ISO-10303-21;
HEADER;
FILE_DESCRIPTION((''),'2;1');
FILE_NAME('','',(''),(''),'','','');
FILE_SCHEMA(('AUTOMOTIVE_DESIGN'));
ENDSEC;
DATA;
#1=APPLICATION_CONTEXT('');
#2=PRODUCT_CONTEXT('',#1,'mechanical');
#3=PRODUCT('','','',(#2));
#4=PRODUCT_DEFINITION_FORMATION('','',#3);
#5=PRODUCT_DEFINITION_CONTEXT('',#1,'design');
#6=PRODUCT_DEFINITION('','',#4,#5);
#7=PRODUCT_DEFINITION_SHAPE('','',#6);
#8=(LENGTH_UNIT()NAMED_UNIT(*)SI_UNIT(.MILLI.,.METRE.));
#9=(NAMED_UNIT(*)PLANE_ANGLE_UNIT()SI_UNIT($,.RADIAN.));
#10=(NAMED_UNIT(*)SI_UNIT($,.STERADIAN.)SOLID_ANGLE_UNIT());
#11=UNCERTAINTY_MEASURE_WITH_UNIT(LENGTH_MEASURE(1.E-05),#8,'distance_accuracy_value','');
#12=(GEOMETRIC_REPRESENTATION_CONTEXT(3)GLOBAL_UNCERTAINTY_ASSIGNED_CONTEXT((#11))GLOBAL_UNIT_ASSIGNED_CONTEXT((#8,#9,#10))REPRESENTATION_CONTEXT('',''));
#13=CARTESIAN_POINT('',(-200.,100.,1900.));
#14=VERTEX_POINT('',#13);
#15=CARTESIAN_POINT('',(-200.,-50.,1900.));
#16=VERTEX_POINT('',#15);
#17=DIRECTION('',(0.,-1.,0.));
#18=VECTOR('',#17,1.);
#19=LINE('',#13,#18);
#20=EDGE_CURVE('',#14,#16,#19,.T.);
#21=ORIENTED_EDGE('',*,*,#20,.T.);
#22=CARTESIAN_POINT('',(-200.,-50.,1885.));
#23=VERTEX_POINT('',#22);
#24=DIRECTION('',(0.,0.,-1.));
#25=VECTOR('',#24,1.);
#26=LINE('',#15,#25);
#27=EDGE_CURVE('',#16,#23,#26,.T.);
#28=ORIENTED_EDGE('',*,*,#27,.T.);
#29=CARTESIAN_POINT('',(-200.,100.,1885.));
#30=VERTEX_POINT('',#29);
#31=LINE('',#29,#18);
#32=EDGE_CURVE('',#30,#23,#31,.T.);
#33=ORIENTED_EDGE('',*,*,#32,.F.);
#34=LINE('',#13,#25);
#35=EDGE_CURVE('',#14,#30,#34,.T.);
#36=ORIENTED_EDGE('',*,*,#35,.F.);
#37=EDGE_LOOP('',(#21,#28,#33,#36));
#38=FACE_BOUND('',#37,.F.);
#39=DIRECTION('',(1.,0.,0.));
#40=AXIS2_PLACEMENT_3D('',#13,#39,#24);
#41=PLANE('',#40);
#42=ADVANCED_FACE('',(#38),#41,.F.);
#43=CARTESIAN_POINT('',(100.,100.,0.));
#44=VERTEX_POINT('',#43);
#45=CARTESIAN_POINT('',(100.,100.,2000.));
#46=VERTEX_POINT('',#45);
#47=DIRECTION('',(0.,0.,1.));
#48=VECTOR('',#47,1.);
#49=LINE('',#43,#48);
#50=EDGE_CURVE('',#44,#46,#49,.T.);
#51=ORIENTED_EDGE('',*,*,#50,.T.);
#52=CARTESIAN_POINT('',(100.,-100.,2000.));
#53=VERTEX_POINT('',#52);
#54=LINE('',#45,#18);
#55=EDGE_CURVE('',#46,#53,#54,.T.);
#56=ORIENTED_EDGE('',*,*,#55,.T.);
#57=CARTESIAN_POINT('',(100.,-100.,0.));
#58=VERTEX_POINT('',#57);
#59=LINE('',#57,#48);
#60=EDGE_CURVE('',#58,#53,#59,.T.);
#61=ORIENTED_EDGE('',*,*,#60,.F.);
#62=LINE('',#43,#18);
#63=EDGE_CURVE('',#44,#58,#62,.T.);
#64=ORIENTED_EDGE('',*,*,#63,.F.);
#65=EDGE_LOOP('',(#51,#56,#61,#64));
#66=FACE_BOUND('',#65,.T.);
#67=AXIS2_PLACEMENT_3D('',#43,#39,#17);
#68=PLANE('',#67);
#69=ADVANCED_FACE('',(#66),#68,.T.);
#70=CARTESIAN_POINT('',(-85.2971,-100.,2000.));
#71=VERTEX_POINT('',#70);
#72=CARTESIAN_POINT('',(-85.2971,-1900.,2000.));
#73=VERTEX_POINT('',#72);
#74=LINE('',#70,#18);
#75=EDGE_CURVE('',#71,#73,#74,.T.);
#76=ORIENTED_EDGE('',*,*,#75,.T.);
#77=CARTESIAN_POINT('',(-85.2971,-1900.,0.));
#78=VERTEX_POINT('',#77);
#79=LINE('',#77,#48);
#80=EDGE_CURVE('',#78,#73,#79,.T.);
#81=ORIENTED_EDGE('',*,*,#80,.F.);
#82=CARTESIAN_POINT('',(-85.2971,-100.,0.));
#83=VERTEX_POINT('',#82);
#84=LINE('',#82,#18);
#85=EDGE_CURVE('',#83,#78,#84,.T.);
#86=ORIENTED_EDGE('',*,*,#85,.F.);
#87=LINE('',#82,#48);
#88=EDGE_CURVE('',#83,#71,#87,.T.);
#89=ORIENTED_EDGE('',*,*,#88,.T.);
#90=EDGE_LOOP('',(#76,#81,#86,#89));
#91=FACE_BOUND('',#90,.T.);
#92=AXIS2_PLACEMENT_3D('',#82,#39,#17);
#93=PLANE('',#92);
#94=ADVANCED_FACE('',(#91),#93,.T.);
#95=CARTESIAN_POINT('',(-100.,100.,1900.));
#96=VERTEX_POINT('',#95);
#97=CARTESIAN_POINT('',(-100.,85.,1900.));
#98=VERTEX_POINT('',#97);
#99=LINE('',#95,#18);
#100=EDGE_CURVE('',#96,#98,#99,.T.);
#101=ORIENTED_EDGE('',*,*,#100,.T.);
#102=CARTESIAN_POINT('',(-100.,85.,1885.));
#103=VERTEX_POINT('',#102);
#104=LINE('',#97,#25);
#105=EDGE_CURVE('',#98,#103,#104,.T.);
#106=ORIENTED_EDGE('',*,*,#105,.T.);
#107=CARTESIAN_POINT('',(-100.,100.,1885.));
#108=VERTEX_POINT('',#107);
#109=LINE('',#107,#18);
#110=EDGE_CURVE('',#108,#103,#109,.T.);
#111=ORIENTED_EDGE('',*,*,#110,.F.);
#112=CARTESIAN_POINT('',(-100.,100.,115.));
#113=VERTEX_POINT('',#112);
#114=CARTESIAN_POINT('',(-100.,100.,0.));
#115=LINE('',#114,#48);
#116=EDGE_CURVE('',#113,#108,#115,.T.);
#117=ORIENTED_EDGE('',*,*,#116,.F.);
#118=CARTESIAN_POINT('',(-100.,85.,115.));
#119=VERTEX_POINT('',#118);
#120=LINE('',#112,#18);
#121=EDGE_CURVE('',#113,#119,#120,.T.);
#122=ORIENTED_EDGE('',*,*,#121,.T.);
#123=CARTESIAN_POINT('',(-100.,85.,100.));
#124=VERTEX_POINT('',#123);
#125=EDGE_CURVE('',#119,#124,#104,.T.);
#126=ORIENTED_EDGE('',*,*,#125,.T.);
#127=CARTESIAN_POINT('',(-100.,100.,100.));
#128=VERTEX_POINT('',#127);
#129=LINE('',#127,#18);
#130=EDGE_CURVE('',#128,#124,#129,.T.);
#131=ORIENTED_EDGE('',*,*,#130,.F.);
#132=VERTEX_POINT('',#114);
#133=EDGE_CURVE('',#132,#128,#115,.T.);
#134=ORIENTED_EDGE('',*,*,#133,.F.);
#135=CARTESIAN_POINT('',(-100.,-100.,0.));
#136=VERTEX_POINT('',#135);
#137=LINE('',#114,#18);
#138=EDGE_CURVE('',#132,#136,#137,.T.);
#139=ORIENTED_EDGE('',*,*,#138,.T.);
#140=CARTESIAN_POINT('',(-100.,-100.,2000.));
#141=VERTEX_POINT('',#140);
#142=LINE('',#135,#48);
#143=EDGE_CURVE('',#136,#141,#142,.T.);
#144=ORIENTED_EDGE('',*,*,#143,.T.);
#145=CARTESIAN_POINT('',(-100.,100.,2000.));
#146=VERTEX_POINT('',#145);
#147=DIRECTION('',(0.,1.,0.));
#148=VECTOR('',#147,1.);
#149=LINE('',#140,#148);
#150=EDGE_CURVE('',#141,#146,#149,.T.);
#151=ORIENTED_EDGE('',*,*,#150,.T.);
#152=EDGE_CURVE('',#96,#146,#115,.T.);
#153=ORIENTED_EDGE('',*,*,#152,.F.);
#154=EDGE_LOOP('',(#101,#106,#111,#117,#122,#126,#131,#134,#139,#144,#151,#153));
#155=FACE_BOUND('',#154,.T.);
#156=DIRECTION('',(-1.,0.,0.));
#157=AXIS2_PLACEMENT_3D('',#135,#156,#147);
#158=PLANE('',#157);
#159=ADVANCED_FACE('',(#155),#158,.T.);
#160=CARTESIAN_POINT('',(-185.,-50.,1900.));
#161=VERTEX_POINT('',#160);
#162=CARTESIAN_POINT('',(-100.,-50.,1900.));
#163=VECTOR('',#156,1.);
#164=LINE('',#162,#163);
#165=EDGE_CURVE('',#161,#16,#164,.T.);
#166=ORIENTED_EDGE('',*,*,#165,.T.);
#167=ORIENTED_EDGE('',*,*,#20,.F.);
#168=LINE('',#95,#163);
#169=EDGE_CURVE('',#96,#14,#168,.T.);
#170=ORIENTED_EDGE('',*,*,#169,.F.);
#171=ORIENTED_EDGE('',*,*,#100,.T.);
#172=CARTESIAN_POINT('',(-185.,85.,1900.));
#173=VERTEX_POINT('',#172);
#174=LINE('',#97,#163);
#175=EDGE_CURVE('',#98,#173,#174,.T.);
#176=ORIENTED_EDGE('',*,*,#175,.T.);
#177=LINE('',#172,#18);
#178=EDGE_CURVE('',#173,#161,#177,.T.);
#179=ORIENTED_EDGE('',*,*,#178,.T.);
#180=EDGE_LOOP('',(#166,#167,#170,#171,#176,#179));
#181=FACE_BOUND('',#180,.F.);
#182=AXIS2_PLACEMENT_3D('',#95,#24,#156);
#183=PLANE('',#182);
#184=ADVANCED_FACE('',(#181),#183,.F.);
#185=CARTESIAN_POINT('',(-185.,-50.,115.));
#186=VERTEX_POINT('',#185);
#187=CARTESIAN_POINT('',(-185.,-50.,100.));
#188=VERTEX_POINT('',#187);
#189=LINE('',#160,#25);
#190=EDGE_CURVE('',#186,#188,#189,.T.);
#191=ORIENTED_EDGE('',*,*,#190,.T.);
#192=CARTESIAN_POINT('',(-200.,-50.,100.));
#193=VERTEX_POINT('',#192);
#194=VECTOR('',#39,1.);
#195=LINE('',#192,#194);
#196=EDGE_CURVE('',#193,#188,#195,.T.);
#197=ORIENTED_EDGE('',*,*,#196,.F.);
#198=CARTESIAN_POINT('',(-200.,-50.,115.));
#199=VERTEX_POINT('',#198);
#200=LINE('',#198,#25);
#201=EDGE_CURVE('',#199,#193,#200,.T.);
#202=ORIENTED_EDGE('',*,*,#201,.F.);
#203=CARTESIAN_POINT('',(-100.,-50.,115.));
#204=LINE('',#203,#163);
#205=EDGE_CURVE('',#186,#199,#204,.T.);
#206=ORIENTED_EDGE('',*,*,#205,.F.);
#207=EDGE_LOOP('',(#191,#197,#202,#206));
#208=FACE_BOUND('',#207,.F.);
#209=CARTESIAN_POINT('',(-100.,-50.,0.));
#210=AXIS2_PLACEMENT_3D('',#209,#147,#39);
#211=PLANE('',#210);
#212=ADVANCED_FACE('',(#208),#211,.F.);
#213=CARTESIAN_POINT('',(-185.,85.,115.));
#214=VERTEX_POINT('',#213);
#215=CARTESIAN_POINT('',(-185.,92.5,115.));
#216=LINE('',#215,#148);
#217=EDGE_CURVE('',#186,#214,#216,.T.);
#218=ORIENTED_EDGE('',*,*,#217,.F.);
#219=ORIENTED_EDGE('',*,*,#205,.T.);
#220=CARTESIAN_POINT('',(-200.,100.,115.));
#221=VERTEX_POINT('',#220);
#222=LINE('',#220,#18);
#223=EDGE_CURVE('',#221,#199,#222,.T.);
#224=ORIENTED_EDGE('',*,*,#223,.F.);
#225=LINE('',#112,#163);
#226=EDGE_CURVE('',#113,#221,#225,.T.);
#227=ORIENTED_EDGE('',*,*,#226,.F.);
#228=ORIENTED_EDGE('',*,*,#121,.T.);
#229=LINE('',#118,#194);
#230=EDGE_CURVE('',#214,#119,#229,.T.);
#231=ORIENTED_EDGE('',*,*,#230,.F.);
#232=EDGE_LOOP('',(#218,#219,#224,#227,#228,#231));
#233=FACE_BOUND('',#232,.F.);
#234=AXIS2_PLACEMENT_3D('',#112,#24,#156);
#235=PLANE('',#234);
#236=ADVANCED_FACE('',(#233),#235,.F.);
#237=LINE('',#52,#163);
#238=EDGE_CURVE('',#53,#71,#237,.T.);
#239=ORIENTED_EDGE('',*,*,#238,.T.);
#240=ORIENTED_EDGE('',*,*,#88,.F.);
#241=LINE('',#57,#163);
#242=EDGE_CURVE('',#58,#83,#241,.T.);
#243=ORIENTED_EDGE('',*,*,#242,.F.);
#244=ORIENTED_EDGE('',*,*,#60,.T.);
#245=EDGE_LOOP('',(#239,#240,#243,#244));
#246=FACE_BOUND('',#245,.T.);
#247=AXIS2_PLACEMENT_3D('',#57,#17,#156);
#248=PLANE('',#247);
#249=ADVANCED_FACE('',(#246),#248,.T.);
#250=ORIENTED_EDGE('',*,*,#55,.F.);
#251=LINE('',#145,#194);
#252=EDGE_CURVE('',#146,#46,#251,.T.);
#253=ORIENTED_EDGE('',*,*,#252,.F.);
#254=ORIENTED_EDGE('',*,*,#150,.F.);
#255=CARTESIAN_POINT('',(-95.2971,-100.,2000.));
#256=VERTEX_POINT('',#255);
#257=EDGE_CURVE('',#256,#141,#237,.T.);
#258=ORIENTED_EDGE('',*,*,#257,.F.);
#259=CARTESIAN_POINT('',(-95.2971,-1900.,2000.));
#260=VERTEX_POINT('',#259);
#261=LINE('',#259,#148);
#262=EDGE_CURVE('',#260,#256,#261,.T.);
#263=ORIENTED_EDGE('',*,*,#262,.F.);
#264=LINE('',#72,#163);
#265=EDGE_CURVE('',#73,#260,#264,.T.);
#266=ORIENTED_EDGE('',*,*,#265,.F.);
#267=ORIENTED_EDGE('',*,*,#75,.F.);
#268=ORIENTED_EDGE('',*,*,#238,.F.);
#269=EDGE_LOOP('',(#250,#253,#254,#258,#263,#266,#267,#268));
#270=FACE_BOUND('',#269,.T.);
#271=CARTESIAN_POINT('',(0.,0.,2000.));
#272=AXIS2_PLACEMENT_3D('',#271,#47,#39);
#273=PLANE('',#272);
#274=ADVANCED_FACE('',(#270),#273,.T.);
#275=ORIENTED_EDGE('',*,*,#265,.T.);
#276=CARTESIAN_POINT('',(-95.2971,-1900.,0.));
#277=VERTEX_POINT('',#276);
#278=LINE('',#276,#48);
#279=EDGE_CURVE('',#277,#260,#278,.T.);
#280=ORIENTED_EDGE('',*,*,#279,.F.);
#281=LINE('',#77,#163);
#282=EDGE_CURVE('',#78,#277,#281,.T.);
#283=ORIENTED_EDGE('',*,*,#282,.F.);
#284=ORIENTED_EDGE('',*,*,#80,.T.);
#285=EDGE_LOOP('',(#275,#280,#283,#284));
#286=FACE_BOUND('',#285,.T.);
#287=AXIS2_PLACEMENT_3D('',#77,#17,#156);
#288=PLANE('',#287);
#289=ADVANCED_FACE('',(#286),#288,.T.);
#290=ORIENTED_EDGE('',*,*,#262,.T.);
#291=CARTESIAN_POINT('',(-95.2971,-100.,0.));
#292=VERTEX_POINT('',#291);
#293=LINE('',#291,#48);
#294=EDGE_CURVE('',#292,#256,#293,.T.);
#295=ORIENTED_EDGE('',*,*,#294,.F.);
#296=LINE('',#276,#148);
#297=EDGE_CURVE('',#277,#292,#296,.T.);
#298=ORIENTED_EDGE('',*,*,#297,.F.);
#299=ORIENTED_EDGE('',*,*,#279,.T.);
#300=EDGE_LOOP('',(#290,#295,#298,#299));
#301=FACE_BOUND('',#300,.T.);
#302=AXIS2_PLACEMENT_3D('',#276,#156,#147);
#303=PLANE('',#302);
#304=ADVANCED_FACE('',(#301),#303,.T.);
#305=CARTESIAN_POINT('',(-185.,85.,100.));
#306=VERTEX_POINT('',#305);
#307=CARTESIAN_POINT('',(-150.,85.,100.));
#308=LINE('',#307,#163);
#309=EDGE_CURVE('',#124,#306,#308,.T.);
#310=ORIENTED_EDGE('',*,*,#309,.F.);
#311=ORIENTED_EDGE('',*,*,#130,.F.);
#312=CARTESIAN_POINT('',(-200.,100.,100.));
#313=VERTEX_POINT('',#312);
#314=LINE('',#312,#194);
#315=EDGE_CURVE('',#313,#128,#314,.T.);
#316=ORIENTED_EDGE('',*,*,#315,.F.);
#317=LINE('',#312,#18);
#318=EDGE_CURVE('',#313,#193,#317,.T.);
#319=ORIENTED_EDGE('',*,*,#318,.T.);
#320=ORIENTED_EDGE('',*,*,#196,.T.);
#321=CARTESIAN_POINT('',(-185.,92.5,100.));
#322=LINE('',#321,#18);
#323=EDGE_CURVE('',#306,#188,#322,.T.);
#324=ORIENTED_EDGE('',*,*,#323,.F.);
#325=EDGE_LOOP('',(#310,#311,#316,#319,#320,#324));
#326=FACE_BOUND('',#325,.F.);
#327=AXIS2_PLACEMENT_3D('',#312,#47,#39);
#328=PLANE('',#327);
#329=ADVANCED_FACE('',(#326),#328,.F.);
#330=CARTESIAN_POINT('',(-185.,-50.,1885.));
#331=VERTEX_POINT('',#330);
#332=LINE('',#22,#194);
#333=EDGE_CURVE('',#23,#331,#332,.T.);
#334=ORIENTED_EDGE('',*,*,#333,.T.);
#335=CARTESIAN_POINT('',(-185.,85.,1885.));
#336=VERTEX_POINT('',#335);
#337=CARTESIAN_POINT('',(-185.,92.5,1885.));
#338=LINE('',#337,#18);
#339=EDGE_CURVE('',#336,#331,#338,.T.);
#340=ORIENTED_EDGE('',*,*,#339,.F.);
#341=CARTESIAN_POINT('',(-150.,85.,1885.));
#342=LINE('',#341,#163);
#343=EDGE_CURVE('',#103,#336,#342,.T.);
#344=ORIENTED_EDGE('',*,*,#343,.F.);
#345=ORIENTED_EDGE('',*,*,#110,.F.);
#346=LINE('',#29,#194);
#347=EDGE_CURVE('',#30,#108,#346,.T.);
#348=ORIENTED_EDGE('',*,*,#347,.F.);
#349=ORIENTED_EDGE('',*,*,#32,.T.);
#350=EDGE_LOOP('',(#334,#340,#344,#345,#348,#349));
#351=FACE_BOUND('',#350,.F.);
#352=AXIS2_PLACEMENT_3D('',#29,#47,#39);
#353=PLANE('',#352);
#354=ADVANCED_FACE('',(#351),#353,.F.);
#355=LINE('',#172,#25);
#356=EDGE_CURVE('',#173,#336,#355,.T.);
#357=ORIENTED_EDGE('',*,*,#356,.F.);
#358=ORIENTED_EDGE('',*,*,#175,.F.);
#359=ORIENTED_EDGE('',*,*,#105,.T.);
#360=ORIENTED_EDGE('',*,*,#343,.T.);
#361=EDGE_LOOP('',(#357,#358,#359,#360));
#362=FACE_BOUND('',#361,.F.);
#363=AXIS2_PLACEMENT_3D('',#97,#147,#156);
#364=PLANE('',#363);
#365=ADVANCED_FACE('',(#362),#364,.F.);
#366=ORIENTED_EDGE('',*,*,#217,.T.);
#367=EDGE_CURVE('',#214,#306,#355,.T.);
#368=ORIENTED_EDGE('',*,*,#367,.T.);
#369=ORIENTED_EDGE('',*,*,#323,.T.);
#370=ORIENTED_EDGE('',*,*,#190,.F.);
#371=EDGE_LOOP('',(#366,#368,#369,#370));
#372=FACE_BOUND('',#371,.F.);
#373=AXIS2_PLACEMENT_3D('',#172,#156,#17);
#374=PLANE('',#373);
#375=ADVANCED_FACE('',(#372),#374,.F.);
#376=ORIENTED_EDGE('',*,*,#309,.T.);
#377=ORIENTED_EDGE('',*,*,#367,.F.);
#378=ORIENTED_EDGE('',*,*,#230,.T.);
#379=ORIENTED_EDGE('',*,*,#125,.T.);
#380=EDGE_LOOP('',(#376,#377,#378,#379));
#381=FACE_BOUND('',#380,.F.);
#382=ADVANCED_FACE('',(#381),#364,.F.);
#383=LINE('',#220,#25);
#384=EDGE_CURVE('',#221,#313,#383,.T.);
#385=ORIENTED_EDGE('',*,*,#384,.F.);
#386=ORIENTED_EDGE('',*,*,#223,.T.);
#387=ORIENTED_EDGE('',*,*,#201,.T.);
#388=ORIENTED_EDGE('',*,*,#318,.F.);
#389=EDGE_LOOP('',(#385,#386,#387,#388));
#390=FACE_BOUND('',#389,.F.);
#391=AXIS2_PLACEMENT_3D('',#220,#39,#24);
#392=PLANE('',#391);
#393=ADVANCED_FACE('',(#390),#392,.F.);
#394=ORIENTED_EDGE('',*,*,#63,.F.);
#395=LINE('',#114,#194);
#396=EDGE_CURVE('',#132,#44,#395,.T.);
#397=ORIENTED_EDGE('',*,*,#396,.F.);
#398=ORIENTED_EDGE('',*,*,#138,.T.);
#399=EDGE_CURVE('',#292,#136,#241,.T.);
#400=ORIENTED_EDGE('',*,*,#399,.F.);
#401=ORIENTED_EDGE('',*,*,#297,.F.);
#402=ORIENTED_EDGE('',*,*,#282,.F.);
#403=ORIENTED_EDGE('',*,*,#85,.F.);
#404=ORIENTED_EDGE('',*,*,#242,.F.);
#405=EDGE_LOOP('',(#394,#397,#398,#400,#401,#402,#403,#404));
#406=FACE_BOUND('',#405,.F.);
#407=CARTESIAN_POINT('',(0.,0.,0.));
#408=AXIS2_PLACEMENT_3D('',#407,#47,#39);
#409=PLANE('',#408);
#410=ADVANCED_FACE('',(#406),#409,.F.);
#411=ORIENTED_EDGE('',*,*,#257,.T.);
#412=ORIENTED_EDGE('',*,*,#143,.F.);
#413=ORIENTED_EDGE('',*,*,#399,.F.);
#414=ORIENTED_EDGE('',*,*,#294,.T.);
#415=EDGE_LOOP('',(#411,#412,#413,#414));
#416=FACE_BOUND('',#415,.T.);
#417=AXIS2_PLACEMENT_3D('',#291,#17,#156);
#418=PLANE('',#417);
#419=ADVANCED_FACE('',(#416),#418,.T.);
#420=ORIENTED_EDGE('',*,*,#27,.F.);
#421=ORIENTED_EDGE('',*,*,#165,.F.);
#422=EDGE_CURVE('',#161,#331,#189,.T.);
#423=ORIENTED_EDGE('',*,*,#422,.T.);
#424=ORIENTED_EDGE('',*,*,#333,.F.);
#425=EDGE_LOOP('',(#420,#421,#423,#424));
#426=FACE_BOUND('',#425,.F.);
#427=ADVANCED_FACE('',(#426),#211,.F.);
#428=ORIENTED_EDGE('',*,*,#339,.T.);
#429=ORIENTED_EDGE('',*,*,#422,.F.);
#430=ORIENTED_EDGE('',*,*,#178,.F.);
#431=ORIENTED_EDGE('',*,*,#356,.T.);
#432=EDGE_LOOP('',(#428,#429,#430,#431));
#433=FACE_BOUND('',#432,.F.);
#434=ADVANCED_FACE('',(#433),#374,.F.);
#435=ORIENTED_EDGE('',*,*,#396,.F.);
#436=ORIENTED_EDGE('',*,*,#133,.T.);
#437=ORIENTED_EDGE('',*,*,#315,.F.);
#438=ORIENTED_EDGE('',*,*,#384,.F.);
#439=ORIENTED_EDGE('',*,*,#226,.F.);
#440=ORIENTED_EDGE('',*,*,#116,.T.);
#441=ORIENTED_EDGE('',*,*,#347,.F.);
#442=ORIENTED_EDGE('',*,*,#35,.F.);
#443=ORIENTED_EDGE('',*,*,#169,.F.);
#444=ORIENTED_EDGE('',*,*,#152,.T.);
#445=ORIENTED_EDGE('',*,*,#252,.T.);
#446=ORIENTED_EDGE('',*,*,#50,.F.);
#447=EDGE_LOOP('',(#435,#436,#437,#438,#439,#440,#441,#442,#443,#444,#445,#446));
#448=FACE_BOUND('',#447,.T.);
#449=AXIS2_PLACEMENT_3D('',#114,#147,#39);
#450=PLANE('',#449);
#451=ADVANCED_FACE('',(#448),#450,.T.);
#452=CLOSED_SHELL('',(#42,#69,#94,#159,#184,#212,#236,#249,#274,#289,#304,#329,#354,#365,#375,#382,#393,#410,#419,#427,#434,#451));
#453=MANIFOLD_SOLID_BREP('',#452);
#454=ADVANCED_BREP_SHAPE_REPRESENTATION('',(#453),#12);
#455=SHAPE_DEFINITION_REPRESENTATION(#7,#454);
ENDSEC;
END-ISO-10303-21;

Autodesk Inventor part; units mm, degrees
ref_plane "YZ Plane" through (0, 0, 0) normal (1, 0, 0) x (0, 1, 0)
ref_plane "XZ Plane" through (0, 0, 0) normal (0, 1, 0) x (-1, 0, 0)
ref_plane "XY Plane" through (0, 0, 0) normal (0, 0, 1) x (1, 0, 0)
sketch "Esquisse1" plane through (0, 0, 0) normal (0, 0, 1) x (1, 0, 0)
  line L0 (-100, 100) -> (100, 100)
  line L1 (100, 100) -> (100, -100)
  line L2 (100, -100) -> (-100, -100)
  line L3 (-100, -100) -> (-100, 100)
  line L4 (-95.2971, -100) -> (-85.2971, -100)
  line L5 (-85.2971, -100) -> (-85.2971, -1900)
  line L6 (-85.2971, -1900) -> (-95.2971, -1900)
  line L7 (-95.2971, -1900) -> (-95.2971, -100)
  point P0 (0, 0)
  dimension "d0" = 200
  dimension "d1" = 200
  dimension "d2" = 100
  dimension "d3" = 100
  dimension "d4" = 1800
  dimension "d5" = 10
extrude "Extrusion1" add sketch "Esquisse1" along normal blind 2000
sketch "Esquisse2" plane through (-100, 100, 0) normal (0, 1, 0) x (1, 0, 0)
  line L0 (14.7029, 0) -> (14.7029, -2000) projected
  line L1 (14.7029, -1926.0048) -> (14.7029, -1942.8259)
  line L2 (4.7029, 0) -> (4.7029, -2000) projected
  line L3 (4.7029, -126.1575) -> (4.7029, -105.1313)
  line L4 (0, 0) -> (0, -2000) projected
  line L5 (0, -1900) -> (-100, -1900)
  line L6 (-100, -1900) -> (-100, -1885)
  line L7 (-100, -1885) -> (0, -1885)
  line L8 (0, -1885) -> (0, -1900)
  line L9 (0, -115) -> (-100, -115)
  line L10 (-100, -115) -> (-100, -100)
  line L11 (-100, -100) -> (0, -100)
  line L12 (0, -100) -> (0, -115)
  point P0 (100, 0)
  dimension "d8" = 100
  dimension "d9" = 15
  dimension "d10" = 100
  dimension "d11" = 100
  dimension "d12" = 15
  dimension "d13" = 100
extrude "Extrusion2" add sketch "Esquisse2" against normal blind 150
sketch "Esquisse3" plane through (-200, 100, 1900) normal (0, 0, 1) x (1, 0, 0)
  line L0 (0, -150) -> (100, -150) projected
  line L1 (100, 0) -> (100, -200) projected
  line L2 (15, -150) -> (100, -150)
  line L3 (100, -150) -> (100, -15)
  line L4 (100, -15) -> (15, -15)
  line L5 (15, -15) -> (15, -150)
  line L6 (0, 0) -> (100, 0) projected
  point P0 (200, -100)
  dimension "d16" = 15
  dimension "d17" = 15
extrude "Extrusion3" cut sketch "Esquisse3" against normal through all
equation "\"d2\" = 0.5 * d1"
equation "\"d3\" = 0.5 * d0"
properties part number "Ecran_Videoprojecteur"
